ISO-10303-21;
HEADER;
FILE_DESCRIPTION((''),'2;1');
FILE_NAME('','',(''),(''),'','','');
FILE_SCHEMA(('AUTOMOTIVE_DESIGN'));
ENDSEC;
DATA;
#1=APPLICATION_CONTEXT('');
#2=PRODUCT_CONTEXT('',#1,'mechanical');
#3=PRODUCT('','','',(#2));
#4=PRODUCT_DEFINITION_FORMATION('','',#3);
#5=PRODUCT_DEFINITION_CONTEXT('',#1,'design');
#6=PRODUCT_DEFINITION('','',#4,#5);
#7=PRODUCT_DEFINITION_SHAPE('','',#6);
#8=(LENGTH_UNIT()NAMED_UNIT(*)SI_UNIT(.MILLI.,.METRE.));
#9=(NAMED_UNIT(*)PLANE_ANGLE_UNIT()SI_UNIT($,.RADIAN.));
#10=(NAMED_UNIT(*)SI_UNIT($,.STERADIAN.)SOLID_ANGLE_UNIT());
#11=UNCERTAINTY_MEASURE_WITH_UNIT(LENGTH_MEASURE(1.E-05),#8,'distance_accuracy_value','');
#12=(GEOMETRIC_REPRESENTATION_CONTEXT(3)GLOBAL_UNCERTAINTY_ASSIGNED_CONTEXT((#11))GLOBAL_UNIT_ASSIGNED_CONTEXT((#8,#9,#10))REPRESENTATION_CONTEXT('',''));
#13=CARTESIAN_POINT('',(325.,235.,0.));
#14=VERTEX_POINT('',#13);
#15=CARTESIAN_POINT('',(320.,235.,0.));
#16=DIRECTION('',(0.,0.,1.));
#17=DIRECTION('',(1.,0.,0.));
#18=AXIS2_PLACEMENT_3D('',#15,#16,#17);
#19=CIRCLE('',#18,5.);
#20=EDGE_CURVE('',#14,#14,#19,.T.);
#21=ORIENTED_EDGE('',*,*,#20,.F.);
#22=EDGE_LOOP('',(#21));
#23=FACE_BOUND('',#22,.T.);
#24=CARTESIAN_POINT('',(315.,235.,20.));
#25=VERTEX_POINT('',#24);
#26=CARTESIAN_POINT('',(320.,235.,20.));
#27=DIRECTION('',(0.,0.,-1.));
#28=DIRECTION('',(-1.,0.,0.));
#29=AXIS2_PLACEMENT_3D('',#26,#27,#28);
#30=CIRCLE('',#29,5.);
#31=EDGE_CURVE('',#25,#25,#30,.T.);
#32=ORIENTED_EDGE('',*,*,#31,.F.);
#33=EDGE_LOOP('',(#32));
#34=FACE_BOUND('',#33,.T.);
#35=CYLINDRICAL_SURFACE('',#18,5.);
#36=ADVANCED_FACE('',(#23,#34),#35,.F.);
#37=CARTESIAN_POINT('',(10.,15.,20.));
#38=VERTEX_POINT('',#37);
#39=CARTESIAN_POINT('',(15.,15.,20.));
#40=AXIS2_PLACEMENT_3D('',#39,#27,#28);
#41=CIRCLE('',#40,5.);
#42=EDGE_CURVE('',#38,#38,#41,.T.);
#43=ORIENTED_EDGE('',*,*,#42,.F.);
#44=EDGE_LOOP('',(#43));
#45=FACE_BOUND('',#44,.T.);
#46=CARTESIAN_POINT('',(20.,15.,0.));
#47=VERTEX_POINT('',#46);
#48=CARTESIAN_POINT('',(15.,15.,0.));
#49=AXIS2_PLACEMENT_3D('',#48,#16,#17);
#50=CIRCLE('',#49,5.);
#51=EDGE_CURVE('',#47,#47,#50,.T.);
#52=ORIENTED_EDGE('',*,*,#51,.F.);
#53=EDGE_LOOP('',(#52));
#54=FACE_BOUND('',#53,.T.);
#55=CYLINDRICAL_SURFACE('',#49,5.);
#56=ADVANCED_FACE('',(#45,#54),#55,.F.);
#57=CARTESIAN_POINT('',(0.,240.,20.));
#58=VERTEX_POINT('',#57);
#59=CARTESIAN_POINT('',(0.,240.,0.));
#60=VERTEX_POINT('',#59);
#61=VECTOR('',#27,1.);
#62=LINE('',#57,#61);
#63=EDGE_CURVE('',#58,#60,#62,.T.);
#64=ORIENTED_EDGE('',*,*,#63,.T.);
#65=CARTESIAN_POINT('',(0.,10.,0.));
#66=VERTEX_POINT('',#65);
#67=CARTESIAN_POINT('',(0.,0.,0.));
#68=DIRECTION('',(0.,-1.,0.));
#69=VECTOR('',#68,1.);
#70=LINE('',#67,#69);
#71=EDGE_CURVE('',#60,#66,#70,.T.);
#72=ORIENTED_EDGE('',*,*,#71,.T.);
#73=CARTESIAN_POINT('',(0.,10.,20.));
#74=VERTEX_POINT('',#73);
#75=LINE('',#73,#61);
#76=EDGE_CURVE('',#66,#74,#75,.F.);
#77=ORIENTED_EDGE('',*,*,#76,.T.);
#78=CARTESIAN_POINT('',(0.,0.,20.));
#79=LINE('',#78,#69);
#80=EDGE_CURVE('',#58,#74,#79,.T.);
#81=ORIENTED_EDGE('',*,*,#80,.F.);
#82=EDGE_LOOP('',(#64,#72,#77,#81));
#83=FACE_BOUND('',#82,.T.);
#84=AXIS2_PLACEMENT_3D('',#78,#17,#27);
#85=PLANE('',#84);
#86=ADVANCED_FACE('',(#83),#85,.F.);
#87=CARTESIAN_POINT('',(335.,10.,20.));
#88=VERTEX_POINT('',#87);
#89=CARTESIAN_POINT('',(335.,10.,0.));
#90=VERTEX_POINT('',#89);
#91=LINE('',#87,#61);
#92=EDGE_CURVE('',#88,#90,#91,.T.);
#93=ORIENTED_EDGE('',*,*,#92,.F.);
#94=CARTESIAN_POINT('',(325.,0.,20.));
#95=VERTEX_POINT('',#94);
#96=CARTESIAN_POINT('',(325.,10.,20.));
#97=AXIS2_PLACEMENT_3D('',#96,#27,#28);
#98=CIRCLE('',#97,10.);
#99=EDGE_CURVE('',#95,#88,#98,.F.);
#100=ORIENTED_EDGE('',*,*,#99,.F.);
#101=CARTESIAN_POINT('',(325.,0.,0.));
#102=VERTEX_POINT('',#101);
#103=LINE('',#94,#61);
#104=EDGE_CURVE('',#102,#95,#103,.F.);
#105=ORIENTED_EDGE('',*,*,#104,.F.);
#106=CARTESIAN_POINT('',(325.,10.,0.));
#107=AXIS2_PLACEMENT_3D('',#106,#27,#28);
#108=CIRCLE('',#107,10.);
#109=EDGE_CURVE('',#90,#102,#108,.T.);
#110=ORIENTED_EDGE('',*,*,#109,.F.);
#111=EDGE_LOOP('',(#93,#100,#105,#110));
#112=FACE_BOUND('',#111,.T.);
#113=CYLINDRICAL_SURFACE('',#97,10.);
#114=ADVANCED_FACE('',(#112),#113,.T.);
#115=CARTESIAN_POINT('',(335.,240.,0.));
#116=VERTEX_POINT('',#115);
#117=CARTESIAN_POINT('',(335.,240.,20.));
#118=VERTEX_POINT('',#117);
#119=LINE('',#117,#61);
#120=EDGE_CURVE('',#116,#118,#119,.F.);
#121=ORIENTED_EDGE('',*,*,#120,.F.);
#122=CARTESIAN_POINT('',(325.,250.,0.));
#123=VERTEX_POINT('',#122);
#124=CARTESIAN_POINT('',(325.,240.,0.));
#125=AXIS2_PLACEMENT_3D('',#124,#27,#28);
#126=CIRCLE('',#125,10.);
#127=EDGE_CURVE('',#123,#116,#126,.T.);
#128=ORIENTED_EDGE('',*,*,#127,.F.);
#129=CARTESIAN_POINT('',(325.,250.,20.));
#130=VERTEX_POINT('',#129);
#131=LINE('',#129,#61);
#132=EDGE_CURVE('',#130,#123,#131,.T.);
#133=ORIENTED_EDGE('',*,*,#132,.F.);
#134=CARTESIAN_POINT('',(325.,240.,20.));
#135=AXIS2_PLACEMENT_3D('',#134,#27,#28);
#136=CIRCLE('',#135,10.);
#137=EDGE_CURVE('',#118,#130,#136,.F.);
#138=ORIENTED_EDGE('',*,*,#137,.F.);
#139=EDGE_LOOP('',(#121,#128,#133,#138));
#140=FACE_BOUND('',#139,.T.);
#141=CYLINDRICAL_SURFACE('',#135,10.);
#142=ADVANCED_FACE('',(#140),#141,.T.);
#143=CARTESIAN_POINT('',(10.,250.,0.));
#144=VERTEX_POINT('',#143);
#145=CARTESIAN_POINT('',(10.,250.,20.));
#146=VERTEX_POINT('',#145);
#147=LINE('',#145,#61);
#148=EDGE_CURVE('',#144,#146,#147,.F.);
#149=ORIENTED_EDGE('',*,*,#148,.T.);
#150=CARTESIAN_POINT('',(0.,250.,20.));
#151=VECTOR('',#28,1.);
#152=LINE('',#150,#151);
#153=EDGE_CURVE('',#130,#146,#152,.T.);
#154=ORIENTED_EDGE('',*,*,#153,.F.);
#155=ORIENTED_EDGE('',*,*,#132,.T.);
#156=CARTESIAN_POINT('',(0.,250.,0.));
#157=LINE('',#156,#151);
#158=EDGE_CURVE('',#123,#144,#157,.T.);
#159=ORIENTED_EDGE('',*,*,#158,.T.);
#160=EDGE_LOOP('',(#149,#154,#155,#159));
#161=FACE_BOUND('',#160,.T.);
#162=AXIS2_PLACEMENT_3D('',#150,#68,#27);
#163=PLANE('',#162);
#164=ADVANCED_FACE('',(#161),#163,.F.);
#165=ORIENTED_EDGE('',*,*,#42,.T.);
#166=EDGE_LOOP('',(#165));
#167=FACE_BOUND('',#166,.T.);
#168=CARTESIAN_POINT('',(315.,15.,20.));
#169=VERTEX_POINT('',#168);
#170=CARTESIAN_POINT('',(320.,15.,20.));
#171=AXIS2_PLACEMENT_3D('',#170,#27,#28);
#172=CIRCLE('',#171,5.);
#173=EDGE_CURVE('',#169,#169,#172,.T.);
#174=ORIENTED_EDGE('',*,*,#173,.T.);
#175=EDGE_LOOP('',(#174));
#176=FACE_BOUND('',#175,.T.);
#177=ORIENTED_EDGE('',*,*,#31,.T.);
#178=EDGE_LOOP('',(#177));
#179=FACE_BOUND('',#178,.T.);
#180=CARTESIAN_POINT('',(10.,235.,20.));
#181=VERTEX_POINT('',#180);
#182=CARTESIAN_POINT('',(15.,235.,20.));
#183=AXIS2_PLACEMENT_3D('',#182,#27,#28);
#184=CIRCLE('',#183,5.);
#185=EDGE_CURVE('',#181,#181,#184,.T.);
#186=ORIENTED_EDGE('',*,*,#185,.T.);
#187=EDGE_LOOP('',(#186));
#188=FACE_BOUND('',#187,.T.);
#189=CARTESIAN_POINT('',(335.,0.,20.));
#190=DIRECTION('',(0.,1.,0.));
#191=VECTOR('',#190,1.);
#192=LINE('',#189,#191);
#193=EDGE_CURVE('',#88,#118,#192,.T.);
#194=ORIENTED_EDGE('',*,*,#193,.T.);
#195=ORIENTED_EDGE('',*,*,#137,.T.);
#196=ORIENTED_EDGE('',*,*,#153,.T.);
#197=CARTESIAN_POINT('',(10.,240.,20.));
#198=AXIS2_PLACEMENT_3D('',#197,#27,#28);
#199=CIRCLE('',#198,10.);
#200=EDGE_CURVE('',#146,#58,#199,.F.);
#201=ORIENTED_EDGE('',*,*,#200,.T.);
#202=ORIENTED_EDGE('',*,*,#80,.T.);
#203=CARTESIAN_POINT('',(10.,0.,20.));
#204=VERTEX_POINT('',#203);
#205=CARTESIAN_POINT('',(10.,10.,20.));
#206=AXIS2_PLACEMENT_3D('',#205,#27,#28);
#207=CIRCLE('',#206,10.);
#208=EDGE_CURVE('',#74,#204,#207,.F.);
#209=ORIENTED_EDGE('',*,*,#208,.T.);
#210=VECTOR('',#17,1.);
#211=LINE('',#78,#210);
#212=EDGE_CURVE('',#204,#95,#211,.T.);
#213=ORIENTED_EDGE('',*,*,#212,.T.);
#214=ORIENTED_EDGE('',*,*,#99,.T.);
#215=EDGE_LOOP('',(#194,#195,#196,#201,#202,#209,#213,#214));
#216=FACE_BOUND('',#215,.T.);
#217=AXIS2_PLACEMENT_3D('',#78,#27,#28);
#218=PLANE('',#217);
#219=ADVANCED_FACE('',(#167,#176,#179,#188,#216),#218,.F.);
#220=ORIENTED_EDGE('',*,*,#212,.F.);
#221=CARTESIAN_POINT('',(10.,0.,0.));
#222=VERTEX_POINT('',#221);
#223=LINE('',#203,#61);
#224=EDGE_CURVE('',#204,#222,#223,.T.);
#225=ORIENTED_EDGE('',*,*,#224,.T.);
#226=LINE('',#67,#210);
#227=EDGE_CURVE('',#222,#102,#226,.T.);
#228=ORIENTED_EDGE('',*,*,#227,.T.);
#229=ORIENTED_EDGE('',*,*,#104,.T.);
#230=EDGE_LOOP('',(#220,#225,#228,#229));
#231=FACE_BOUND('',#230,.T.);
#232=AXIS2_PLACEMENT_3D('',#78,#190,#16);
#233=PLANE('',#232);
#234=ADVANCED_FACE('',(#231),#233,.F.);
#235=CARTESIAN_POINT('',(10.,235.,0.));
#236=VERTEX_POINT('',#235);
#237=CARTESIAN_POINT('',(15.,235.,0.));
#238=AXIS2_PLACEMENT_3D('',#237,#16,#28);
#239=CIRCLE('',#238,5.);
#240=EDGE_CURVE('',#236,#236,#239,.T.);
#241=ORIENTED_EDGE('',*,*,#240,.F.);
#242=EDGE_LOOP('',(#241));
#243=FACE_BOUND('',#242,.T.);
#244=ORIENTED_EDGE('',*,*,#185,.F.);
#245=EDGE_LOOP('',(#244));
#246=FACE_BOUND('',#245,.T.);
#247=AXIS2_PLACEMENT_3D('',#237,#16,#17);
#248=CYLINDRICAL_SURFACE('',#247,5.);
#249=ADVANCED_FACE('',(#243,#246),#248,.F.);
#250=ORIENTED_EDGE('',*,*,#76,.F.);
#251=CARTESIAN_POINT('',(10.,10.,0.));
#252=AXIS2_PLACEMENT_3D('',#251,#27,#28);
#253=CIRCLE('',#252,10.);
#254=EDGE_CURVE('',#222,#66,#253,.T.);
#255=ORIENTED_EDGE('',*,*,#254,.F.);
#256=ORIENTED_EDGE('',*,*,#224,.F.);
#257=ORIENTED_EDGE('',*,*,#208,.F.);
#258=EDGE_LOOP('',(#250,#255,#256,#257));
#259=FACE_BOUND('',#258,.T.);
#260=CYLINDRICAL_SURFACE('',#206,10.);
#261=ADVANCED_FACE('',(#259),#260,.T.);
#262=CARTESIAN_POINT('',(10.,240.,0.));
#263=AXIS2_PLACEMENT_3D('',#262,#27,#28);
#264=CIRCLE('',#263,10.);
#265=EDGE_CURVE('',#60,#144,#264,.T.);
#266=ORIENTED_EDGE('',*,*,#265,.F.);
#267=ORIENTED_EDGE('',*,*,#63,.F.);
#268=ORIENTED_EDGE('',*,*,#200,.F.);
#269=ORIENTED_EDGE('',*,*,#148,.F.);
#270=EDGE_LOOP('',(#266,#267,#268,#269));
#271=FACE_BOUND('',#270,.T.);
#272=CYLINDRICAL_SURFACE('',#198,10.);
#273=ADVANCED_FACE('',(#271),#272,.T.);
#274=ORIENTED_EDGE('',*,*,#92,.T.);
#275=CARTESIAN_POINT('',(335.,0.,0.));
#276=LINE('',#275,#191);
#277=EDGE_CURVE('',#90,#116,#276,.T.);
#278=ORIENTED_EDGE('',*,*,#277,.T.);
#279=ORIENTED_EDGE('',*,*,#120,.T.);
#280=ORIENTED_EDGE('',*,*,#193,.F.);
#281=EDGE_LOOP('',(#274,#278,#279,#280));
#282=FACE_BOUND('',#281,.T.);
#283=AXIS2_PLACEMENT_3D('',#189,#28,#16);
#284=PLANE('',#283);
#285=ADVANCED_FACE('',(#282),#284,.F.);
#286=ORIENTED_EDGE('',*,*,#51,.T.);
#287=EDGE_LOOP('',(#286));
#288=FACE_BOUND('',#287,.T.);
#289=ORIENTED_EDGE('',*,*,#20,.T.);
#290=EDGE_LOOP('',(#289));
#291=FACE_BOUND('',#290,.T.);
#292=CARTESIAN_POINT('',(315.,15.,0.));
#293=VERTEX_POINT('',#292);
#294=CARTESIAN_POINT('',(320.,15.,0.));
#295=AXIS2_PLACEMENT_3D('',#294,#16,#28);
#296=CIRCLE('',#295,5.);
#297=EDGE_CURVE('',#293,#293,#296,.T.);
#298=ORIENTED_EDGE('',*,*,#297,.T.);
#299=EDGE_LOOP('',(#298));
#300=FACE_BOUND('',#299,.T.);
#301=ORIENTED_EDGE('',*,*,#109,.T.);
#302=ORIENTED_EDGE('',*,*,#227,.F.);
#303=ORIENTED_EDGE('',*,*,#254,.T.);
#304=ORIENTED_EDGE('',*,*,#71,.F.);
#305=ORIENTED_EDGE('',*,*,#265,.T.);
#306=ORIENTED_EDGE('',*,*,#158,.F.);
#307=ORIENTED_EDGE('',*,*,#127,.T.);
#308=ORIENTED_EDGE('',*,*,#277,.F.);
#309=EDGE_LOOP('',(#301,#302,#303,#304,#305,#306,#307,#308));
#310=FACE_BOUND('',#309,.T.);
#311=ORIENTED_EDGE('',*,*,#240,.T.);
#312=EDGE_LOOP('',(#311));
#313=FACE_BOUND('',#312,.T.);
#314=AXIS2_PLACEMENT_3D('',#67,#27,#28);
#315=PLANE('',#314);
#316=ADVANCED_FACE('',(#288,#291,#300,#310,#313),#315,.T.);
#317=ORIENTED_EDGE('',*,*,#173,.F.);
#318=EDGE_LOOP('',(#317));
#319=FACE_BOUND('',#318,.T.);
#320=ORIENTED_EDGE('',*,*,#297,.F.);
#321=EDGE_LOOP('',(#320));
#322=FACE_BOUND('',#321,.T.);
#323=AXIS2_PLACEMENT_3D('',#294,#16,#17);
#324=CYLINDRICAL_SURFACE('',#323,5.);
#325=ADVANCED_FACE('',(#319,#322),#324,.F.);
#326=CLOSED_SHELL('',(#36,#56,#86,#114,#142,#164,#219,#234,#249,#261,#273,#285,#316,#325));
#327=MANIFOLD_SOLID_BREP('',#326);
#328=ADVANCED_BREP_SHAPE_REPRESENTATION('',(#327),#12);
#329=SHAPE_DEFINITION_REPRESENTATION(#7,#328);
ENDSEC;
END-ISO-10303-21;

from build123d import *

# Parameters (mm, degrees)
ESQUISSE1_W                  = 335
ESQUISSE1_H                  = 250
BOSS_EXTRU_1_DEPTH           = 20
ENL_V_MAT_EXTRU_1_DEPTH      = 419.479390174
ENL_V_MAT_EXTRU_1_DEPTH_BACK = 419.479390174
ESQUISSE2_R                  = 5
CONG_1_R                     = 10


with BuildPart() as part:
    # Esquisse1 → Boss.-Extru.1 (new body)
    with BuildSketch(Plane.XY):
        with Locations((167.5, 125)):
            Rectangle(ESQUISSE1_W, ESQUISSE1_H)
    extrude(amount=BOSS_EXTRU_1_DEPTH)

    # Esquisse2 → Enlèv. mat.-Extru.1 (cut, two sides: drawn at the far end of the back side and taken through both)
    with BuildSketch(Plane.XY.offset(20).offset(-ENL_V_MAT_EXTRU_1_DEPTH_BACK)):
        with Locations((15, 15)):
            Circle(ESQUISSE2_R)
        with Locations(Location((320, 15, 0), (0, 0, 180))):
            Circle(ESQUISSE2_R)
        with Locations((320, 235)):
            Circle(ESQUISSE2_R)
        with Locations(Location((15, 235, 0), (0, 0, 180))):
            Circle(ESQUISSE2_R)
    extrude(amount=ENL_V_MAT_EXTRU_1_DEPTH + ENL_V_MAT_EXTRU_1_DEPTH_BACK, mode=Mode.SUBTRACT)

    # Congé1
    cong_1_edges = [part.edges().sort_by_distance(p)[0] for p in [
        (0, 250, 10),
        (335, 250, 10),
        (335, 0, 10),
        (0, 0, 10),
    ]]
    fillet(cong_1_edges, radius=CONG_1_R)


solid = part.part
